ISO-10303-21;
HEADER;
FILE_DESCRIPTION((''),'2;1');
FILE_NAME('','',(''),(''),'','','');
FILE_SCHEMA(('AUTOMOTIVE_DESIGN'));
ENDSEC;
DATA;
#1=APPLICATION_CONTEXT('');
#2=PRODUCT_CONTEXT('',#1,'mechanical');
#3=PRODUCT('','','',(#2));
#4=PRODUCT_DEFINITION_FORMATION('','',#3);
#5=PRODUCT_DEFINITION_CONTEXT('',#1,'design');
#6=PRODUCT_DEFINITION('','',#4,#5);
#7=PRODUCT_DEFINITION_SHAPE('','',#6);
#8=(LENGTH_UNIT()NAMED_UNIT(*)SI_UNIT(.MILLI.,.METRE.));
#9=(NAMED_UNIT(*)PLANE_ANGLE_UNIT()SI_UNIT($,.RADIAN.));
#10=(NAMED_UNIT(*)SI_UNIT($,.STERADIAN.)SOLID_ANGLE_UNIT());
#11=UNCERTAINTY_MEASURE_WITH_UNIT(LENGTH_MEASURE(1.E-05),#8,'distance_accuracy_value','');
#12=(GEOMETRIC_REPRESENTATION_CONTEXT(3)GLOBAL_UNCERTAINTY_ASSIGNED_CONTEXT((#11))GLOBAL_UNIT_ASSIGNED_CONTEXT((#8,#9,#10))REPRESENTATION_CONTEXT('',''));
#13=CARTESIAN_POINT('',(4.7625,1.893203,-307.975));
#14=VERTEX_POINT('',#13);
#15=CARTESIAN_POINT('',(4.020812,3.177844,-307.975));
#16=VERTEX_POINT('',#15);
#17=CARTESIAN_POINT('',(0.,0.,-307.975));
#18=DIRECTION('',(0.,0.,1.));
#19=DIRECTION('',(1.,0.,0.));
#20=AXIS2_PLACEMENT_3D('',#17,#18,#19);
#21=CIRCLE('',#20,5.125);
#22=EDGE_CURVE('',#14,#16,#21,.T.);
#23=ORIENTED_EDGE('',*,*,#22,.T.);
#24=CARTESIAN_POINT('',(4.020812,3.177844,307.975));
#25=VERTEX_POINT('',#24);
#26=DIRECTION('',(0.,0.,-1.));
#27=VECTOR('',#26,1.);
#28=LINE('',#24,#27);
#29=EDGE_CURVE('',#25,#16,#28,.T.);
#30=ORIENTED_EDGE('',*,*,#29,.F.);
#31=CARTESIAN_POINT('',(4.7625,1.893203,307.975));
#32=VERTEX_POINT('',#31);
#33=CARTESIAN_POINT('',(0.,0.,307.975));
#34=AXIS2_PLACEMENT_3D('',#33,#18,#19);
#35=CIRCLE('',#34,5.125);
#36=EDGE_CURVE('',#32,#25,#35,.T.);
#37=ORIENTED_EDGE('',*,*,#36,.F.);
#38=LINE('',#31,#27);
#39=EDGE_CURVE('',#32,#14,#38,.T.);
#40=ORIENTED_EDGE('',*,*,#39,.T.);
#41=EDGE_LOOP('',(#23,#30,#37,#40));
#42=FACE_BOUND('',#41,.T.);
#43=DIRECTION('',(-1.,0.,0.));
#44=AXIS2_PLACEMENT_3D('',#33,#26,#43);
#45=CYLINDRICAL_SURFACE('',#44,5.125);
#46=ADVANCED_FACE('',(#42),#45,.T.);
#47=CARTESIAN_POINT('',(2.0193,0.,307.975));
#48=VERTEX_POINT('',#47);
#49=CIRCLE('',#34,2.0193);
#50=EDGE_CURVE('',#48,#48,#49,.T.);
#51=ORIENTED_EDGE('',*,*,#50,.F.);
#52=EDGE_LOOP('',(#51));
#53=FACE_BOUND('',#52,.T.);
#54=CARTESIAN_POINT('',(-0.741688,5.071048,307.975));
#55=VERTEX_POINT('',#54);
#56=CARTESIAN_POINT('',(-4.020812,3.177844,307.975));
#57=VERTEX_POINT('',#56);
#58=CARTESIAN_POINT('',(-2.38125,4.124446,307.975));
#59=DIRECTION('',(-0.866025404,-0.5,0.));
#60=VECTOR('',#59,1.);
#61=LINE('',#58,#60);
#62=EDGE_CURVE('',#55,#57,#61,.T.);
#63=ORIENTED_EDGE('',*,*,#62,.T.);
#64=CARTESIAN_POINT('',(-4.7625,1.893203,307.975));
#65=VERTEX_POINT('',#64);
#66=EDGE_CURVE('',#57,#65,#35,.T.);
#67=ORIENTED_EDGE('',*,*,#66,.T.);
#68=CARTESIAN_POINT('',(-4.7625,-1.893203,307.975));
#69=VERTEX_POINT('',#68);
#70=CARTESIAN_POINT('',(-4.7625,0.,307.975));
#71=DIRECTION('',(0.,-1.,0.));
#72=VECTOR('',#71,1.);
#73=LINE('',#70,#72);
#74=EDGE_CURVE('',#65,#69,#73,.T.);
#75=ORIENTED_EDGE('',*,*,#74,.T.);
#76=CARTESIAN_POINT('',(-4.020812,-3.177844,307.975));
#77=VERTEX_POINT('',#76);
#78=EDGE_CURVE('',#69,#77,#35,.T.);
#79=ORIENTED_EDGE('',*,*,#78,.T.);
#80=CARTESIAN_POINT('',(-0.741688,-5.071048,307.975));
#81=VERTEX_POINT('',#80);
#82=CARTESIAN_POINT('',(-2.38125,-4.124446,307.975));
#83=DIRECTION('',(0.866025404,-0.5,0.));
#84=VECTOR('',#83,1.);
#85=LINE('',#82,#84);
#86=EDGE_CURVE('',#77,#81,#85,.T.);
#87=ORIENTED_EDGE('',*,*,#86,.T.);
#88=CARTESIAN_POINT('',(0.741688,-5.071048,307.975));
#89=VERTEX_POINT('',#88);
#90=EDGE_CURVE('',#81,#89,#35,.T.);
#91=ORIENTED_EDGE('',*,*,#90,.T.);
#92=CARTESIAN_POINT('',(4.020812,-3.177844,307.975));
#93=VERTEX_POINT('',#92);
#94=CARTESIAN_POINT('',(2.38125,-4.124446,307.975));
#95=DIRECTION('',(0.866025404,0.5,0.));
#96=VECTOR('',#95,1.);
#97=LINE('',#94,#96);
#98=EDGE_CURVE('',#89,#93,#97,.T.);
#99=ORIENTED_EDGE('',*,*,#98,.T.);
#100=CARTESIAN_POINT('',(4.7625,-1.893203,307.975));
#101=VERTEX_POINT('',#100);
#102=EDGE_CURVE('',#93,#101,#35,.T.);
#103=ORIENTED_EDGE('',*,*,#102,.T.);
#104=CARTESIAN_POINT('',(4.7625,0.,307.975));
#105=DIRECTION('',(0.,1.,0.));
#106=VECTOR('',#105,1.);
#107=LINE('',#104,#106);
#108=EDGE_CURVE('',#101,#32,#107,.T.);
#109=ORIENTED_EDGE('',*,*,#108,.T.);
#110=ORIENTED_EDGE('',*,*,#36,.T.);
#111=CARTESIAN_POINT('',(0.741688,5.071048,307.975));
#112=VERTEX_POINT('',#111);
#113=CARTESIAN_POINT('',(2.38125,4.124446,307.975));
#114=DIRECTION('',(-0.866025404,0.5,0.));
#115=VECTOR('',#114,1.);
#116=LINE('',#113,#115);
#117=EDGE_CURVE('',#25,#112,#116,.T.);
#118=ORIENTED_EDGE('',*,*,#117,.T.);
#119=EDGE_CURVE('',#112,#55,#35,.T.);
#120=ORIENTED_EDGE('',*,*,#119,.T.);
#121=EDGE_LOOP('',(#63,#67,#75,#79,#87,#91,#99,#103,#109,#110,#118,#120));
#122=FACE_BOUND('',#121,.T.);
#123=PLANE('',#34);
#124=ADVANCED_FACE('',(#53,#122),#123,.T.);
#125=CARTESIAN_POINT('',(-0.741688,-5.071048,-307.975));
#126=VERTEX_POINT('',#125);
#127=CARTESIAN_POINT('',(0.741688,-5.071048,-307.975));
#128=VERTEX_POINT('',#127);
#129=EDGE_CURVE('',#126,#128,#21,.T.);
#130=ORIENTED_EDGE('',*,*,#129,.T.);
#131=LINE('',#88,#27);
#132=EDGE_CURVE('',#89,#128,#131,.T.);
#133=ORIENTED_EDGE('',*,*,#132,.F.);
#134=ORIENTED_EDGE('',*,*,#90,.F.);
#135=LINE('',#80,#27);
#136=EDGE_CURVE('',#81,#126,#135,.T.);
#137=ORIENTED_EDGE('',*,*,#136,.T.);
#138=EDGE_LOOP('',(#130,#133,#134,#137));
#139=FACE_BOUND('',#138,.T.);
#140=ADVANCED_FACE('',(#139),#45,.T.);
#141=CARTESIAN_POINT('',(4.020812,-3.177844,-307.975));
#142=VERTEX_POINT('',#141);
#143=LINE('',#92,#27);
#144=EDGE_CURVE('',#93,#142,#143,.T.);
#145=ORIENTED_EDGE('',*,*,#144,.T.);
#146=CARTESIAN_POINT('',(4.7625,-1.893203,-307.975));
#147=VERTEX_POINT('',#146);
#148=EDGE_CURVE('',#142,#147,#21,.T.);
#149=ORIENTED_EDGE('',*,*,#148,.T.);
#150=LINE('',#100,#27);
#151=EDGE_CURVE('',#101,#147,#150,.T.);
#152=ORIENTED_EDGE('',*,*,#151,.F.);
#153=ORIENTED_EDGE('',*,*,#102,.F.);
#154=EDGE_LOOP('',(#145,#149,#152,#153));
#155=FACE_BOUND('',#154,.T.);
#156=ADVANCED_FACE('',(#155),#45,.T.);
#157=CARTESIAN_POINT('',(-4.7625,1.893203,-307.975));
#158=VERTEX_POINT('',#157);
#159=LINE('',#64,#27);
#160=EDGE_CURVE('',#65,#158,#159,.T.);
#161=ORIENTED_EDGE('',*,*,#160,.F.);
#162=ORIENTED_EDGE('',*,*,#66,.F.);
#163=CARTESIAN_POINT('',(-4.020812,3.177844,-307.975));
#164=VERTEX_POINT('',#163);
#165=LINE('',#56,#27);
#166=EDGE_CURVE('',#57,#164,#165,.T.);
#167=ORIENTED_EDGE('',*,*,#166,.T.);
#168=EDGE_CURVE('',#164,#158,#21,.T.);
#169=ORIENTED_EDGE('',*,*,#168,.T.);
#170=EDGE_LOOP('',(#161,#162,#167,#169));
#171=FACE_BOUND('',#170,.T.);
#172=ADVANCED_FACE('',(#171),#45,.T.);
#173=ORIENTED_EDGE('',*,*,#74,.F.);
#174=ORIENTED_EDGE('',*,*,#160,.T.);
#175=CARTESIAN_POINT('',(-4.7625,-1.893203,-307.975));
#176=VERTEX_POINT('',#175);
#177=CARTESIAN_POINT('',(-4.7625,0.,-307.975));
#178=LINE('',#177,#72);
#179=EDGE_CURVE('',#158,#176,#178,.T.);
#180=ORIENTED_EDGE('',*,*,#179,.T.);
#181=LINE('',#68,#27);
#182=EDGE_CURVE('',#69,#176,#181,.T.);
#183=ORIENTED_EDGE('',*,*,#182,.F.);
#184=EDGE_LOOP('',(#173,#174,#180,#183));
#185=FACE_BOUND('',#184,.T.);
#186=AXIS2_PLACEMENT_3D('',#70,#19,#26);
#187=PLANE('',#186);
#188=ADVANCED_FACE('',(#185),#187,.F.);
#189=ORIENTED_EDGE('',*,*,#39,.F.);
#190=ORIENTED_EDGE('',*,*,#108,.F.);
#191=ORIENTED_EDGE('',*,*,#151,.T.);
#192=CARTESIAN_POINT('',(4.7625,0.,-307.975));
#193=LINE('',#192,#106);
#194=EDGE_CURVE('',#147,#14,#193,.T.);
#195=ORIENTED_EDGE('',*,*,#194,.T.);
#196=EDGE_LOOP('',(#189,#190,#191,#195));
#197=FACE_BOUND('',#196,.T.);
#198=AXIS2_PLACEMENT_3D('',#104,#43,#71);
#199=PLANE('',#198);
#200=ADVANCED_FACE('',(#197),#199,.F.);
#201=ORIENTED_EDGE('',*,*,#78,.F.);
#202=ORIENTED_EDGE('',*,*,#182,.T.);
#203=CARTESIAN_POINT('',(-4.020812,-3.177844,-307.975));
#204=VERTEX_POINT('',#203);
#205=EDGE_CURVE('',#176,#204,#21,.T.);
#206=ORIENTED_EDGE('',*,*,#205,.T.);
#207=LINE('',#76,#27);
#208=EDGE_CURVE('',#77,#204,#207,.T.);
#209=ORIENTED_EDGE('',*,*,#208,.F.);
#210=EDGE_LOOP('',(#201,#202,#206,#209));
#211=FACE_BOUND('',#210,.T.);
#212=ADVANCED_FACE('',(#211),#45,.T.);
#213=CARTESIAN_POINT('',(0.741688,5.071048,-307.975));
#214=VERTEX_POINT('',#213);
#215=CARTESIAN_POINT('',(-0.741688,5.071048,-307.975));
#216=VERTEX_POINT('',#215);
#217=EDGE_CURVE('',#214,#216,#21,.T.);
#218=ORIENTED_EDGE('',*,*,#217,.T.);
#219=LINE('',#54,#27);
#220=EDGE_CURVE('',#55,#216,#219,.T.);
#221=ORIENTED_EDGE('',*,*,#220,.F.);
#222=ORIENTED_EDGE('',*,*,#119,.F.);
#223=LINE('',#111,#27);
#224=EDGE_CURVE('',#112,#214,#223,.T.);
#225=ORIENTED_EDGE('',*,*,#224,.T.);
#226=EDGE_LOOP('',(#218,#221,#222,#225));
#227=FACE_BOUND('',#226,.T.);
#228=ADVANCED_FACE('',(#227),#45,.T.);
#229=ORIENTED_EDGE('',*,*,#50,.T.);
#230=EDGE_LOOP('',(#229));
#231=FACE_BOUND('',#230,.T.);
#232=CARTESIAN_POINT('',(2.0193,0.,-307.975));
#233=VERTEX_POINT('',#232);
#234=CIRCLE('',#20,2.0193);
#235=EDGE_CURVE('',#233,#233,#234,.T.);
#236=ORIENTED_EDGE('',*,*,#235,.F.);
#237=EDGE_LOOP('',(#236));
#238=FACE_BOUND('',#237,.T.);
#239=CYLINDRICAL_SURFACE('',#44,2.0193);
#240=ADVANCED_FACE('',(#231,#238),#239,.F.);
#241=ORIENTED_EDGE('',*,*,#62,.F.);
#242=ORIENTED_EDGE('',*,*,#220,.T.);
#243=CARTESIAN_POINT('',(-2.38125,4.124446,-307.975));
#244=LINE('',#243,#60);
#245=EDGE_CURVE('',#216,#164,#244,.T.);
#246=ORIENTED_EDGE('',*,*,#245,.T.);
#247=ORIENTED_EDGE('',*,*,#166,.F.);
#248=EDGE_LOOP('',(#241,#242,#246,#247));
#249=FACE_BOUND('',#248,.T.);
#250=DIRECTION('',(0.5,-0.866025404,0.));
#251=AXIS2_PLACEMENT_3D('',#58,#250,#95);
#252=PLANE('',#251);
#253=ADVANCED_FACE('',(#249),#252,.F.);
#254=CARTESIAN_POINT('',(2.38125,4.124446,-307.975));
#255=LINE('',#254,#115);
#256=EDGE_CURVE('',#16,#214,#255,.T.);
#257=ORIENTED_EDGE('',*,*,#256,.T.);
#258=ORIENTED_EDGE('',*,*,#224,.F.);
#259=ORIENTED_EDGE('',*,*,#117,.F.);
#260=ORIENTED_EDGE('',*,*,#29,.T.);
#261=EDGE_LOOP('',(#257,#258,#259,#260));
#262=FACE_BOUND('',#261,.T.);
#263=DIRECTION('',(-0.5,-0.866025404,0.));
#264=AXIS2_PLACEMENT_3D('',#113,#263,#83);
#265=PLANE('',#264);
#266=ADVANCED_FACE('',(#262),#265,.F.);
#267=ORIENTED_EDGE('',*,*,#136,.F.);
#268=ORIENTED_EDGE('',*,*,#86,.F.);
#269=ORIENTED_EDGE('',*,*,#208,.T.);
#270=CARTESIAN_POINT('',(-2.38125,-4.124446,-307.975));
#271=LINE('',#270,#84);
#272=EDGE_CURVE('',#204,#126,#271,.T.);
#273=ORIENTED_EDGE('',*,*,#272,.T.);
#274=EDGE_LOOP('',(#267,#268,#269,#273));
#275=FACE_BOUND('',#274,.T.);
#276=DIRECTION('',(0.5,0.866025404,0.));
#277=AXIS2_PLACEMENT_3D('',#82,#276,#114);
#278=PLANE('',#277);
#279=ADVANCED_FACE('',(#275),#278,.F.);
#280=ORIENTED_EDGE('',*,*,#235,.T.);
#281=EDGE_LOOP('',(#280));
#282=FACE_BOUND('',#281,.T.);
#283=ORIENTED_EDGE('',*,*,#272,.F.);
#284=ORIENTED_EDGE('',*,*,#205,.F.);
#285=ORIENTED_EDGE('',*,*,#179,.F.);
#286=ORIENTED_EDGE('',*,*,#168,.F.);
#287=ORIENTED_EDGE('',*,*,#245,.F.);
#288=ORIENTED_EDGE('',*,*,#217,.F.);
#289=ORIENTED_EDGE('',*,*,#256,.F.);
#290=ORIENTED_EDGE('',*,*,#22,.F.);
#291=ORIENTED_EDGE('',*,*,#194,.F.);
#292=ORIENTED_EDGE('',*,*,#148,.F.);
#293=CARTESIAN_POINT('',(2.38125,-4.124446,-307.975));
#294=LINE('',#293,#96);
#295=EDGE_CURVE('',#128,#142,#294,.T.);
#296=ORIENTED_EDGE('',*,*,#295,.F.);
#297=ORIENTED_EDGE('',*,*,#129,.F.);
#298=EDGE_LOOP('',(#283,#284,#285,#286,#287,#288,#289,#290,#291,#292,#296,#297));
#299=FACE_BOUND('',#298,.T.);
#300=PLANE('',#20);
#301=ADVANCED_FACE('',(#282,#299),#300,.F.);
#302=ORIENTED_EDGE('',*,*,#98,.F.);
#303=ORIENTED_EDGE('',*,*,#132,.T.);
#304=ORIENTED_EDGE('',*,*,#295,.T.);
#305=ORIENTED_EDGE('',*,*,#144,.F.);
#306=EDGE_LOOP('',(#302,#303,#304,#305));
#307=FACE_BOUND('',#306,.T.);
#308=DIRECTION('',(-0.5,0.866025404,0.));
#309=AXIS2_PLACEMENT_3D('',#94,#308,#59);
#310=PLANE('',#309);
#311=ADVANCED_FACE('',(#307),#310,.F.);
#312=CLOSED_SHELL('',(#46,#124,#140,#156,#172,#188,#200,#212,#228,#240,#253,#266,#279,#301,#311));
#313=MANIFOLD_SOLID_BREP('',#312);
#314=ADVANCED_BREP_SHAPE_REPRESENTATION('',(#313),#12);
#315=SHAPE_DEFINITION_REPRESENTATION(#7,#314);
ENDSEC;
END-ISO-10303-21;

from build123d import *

# Parameters (mm, degrees)
SKETCH2_R                            = 2.0193
BOSS_EXTRUDE1_DEPTH                  = 307.975
F_10_32_TAPPED_HOLE2_D               = 4.0386
F_10_32_TAPPED_HOLE2_DEPTH           = 16.34744
F_10_32_TAPPED_HOLE2_TIP             = 1.213317848
F_10_32_TAPPED_HOLE2_ON_FACE_2_D     = 4.0386
F_10_32_TAPPED_HOLE2_ON_FACE_2_DEPTH = 16.34744
F_10_32_TAPPED_HOLE2_ON_FACE_2_TIP   = 1.213317848


with BuildPart() as part:
    # Sketch2 → Boss-Extrude1 (new, symmetric)
    with BuildSketch(Plane.XY):
        with BuildLine():
            ThreePointArc((0.741687758, 5.071047688), (0, 5.125000037), (-0.741687758, 5.071047688))
            Line((-0.741687758, 5.071047688), (-4.020812242, 3.177844283))
            ThreePointArc((-4.020812242, 3.177844283), (-4.438380226, 2.562500019), (-4.7625, 1.893203404))
            Line((-4.7625, 1.893203404), (-4.7625, -1.893203404))
            ThreePointArc((-4.7625, -1.893203404), (-4.438380226, -2.562500019), (-4.020812242, -3.177844283))
            Line((-4.020812242, -3.177844283), (-0.741687758, -5.071047688))
            ThreePointArc((-0.741687758, -5.071047688), (0, -5.125000037), (0.741687758, -5.071047688))
            Line((0.741687758, -5.071047688), (4.020812242, -3.177844283))
            ThreePointArc((4.020812242, -3.177844283), (4.438380226, -2.562500019), (4.7625, -1.893203404))
            Line((4.7625, -1.893203404), (4.7625, 1.893203404))
            ThreePointArc((4.7625, 1.893203404), (4.438380226, 2.562500019), (4.020812242, 3.177844283))
            Line((4.020812242, 3.177844283), (0.741687758, 5.071047688))
        make_face()
        Circle(SKETCH2_R, mode=Mode.SUBTRACT)
    extrude(amount=BOSS_EXTRUDE1_DEPTH, both=True)

    # #10-32 Tapped Hole2
    with Locations(Plane(origin=(0, 0, -307.975), x_dir=(-1, 0, 0), z_dir=(0, 0, -1))):
        with Locations((0, 0)):
            Hole(F_10_32_TAPPED_HOLE2_D / 2, depth=F_10_32_TAPPED_HOLE2_DEPTH)
            with Locations((0, 0, -(F_10_32_TAPPED_HOLE2_DEPTH + F_10_32_TAPPED_HOLE2_TIP / 2))):  # 118° drill point
                Cone(0, F_10_32_TAPPED_HOLE2_D / 2, F_10_32_TAPPED_HOLE2_TIP, mode=Mode.SUBTRACT)

    # #10-32 Tapped Hole2 on face 2
    with Locations(Plane(origin=(0, 0, 307.975), x_dir=(-1, 0, 0), z_dir=(0, 0, -1))):
        with Locations((0, 0)):
            Hole(F_10_32_TAPPED_HOLE2_ON_FACE_2_D / 2, depth=F_10_32_TAPPED_HOLE2_ON_FACE_2_DEPTH)
            with Locations((0, 0, -(F_10_32_TAPPED_HOLE2_ON_FACE_2_DEPTH + F_10_32_TAPPED_HOLE2_ON_FACE_2_TIP / 2))):  # 118° drill point
                Cone(0, F_10_32_TAPPED_HOLE2_ON_FACE_2_D / 2, F_10_32_TAPPED_HOLE2_ON_FACE_2_TIP, mode=Mode.SUBTRACT)


solid = part.part
